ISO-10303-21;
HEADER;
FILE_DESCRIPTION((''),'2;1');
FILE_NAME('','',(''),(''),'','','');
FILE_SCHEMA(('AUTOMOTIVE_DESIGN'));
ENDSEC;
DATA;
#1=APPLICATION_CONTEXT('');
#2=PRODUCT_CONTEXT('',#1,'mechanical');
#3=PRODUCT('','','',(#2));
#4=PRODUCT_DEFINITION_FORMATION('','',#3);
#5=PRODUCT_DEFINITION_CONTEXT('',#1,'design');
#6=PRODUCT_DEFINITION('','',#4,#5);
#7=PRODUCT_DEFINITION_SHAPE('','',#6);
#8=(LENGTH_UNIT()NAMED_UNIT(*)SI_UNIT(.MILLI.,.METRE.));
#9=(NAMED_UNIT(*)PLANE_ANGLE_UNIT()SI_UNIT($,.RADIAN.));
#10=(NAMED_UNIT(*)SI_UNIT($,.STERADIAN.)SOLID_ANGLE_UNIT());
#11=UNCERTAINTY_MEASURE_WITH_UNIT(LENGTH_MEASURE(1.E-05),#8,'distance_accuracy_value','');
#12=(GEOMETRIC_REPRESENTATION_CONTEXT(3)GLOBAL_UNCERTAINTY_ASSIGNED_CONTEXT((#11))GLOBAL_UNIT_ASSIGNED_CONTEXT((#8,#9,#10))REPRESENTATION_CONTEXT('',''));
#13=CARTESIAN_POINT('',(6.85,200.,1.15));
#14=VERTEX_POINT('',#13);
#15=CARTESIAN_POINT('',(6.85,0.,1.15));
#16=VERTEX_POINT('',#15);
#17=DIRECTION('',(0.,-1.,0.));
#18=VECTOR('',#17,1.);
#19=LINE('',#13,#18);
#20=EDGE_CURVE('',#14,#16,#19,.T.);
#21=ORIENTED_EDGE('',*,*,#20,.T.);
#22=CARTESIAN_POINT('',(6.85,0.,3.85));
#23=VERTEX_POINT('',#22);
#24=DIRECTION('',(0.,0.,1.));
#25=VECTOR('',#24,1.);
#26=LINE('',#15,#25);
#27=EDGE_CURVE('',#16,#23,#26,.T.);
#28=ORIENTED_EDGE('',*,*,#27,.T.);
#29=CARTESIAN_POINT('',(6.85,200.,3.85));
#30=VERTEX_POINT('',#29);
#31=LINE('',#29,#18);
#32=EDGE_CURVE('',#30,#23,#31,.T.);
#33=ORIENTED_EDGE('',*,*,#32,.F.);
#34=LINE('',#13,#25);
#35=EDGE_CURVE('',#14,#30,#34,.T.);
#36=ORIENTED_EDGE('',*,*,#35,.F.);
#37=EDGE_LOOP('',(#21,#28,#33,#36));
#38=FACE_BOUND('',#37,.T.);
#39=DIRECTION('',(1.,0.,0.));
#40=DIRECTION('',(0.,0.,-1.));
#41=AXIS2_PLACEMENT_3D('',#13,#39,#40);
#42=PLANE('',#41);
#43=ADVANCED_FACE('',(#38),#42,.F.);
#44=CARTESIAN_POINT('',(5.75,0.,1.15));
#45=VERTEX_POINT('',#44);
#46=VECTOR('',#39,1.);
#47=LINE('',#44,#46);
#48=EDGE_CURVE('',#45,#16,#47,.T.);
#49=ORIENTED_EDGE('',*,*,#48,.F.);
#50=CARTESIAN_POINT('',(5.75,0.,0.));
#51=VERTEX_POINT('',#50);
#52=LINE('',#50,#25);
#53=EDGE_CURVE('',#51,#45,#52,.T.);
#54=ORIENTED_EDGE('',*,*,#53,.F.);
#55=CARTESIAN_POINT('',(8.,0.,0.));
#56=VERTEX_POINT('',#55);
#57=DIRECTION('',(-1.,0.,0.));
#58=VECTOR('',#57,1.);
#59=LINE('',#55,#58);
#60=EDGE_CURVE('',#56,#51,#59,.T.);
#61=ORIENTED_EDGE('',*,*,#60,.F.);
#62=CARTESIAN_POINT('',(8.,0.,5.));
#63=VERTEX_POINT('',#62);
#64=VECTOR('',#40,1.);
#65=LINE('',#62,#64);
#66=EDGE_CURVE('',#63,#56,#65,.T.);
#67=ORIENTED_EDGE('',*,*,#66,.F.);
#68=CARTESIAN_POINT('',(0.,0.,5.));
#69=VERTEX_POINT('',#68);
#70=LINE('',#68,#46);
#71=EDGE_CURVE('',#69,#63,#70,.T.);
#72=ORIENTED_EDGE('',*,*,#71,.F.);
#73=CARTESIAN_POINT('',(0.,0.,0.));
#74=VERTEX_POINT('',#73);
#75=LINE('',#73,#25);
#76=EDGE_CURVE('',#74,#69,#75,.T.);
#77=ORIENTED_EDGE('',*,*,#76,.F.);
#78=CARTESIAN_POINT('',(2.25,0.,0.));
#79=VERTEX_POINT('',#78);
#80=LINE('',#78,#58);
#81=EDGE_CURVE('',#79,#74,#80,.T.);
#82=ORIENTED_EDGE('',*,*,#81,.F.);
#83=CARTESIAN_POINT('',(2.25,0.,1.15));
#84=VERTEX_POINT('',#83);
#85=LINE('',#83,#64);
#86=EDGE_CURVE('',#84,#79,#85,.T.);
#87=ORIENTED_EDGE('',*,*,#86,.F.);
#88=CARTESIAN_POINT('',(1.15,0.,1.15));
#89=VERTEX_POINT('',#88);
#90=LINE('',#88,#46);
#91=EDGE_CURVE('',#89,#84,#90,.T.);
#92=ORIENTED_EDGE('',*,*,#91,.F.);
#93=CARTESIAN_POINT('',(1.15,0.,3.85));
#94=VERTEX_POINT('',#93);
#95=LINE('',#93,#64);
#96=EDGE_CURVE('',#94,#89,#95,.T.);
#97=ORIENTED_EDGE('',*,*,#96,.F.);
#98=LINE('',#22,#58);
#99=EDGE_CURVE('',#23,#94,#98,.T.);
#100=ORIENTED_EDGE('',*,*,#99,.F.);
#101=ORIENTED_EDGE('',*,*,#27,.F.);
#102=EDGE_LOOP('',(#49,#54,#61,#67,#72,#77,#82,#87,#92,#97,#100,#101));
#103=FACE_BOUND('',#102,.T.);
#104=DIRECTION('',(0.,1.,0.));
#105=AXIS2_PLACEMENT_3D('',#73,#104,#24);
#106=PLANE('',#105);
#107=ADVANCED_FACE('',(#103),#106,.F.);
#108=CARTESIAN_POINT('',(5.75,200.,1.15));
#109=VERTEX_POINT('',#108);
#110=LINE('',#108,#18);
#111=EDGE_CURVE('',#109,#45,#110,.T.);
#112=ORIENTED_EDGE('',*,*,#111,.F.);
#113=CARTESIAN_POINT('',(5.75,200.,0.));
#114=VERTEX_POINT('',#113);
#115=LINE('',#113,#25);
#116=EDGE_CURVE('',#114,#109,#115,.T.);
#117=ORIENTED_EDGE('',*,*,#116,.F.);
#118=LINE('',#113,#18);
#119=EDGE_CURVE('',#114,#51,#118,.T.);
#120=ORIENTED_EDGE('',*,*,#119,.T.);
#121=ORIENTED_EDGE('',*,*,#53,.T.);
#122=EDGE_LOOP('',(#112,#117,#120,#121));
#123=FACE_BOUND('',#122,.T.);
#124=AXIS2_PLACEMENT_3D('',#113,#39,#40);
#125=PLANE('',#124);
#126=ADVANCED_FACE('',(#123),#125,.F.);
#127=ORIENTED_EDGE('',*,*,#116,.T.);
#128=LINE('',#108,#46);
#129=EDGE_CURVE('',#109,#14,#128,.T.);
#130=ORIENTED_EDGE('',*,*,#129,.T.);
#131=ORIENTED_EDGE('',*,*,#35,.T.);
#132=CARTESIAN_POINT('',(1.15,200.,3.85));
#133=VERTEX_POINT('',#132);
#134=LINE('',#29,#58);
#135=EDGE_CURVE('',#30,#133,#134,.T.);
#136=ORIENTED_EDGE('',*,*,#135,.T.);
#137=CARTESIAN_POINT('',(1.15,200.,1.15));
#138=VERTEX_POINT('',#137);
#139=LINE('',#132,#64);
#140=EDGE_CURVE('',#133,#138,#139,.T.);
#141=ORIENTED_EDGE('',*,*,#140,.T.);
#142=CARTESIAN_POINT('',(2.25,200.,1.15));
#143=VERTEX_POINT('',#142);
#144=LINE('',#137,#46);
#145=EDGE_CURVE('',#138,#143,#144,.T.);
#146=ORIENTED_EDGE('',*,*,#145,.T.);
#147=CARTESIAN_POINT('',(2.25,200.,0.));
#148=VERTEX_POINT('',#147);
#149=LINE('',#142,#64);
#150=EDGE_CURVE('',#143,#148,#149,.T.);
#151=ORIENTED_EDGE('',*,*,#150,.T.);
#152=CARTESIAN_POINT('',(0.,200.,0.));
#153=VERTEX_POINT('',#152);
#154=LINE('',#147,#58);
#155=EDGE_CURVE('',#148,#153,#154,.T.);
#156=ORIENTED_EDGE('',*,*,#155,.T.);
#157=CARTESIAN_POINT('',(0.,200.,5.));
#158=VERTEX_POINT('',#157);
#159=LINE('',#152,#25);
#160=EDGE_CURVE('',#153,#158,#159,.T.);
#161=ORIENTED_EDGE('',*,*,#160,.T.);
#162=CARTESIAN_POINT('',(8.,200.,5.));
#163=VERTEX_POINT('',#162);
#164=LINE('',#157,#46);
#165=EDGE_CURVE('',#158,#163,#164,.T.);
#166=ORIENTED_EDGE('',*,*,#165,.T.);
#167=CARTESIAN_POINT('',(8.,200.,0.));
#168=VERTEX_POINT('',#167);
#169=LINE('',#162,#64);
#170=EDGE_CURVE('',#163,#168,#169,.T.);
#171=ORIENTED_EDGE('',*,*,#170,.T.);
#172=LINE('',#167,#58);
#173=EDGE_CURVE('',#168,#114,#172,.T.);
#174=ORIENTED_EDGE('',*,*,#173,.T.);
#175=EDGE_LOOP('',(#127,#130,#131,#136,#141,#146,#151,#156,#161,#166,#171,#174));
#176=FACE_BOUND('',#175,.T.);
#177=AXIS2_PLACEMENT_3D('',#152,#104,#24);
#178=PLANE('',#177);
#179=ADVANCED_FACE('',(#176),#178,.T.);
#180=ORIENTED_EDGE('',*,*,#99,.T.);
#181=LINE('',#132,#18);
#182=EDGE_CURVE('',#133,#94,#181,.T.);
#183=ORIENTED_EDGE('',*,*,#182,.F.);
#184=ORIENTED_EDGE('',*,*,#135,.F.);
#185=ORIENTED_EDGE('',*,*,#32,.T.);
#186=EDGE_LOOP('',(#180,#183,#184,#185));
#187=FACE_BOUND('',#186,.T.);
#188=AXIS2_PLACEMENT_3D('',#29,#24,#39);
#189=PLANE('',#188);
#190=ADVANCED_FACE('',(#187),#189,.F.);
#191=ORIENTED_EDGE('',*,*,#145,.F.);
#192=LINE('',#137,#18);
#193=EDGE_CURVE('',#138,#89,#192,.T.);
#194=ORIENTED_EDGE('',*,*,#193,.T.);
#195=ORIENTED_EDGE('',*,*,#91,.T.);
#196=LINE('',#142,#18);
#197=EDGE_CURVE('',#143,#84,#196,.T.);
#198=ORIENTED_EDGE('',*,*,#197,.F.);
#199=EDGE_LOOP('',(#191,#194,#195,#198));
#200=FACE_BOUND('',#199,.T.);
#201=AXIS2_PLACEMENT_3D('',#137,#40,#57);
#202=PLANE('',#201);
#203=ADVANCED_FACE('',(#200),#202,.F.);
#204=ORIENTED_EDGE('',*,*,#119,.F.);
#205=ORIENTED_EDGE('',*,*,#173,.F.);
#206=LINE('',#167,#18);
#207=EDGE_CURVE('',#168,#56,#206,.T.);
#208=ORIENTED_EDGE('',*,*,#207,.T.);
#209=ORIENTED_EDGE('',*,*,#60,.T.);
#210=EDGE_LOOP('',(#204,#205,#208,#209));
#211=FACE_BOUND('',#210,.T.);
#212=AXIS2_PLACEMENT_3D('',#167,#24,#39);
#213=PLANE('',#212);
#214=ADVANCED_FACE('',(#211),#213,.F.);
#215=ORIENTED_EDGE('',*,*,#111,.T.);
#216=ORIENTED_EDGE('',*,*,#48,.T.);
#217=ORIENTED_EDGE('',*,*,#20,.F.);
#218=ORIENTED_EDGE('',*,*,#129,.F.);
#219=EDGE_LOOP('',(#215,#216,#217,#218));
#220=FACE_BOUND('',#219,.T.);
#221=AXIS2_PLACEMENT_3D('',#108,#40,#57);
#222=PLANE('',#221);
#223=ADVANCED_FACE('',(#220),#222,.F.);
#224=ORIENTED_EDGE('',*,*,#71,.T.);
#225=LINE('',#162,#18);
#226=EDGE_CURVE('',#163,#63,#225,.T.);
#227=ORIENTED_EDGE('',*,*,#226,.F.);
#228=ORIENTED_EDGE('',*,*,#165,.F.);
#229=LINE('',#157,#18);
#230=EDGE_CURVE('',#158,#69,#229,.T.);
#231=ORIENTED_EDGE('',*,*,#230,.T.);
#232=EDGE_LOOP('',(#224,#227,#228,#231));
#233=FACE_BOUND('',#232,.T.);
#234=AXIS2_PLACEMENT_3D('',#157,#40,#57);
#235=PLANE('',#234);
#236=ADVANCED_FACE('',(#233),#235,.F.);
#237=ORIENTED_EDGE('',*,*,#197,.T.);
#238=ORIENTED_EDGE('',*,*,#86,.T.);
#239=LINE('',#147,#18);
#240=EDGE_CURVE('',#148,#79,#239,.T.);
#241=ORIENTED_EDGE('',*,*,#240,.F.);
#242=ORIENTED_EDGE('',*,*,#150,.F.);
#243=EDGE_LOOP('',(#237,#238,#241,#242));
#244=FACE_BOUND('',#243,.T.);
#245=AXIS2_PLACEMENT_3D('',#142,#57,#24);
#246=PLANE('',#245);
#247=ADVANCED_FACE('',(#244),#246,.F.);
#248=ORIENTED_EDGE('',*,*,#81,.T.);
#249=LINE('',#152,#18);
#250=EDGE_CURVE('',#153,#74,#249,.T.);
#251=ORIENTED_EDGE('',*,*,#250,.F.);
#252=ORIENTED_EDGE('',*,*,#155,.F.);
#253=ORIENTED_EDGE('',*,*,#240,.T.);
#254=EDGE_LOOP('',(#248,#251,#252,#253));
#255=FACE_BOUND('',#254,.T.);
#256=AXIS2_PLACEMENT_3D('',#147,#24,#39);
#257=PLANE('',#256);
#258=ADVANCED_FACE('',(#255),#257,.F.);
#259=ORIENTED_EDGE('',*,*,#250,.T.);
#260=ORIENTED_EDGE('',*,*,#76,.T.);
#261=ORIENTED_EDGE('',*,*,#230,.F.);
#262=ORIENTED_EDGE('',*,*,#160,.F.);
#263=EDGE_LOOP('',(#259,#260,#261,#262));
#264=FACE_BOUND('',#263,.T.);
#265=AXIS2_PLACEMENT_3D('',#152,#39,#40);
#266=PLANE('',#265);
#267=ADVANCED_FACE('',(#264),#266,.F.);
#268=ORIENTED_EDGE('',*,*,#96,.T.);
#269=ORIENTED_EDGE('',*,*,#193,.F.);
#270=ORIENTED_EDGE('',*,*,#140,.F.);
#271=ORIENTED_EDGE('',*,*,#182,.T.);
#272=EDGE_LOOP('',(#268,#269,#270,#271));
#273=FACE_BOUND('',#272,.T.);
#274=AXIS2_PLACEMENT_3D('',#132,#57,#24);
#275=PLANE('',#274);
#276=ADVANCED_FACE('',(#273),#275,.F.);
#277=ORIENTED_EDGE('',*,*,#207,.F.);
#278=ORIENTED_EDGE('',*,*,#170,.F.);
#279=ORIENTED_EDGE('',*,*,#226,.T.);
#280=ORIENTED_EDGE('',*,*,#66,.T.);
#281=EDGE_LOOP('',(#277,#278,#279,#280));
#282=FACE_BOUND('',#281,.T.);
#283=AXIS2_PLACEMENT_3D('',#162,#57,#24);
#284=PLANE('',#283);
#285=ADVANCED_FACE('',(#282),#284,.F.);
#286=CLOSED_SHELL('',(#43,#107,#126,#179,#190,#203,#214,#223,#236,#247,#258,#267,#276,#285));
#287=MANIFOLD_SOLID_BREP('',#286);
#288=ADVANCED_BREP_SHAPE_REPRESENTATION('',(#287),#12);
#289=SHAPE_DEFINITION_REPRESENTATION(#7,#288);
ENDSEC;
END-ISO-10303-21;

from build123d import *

# Parameters (mm, degrees)
EXTRUDE_1_DEPTH = 200


with BuildPart() as part:
    # 草图1 → 凸台-拉伸1 (new body)
    with BuildSketch(Plane(origin=(0, 0, 0), x_dir=(1, 0, 0), z_dir=(0, 1, 0))):
        Polygon((0, -5), (8, -5), (8, 0), (5.75, 0), (5.75, -1.15), (6.85, -1.15), (6.85, -3.85), (1.15, -3.85), (1.15, -1.15), (2.25, -1.15), (2.25, 0), (0, 0), align=None)
    extrude(amount=EXTRUDE_1_DEPTH)


solid = part.part
